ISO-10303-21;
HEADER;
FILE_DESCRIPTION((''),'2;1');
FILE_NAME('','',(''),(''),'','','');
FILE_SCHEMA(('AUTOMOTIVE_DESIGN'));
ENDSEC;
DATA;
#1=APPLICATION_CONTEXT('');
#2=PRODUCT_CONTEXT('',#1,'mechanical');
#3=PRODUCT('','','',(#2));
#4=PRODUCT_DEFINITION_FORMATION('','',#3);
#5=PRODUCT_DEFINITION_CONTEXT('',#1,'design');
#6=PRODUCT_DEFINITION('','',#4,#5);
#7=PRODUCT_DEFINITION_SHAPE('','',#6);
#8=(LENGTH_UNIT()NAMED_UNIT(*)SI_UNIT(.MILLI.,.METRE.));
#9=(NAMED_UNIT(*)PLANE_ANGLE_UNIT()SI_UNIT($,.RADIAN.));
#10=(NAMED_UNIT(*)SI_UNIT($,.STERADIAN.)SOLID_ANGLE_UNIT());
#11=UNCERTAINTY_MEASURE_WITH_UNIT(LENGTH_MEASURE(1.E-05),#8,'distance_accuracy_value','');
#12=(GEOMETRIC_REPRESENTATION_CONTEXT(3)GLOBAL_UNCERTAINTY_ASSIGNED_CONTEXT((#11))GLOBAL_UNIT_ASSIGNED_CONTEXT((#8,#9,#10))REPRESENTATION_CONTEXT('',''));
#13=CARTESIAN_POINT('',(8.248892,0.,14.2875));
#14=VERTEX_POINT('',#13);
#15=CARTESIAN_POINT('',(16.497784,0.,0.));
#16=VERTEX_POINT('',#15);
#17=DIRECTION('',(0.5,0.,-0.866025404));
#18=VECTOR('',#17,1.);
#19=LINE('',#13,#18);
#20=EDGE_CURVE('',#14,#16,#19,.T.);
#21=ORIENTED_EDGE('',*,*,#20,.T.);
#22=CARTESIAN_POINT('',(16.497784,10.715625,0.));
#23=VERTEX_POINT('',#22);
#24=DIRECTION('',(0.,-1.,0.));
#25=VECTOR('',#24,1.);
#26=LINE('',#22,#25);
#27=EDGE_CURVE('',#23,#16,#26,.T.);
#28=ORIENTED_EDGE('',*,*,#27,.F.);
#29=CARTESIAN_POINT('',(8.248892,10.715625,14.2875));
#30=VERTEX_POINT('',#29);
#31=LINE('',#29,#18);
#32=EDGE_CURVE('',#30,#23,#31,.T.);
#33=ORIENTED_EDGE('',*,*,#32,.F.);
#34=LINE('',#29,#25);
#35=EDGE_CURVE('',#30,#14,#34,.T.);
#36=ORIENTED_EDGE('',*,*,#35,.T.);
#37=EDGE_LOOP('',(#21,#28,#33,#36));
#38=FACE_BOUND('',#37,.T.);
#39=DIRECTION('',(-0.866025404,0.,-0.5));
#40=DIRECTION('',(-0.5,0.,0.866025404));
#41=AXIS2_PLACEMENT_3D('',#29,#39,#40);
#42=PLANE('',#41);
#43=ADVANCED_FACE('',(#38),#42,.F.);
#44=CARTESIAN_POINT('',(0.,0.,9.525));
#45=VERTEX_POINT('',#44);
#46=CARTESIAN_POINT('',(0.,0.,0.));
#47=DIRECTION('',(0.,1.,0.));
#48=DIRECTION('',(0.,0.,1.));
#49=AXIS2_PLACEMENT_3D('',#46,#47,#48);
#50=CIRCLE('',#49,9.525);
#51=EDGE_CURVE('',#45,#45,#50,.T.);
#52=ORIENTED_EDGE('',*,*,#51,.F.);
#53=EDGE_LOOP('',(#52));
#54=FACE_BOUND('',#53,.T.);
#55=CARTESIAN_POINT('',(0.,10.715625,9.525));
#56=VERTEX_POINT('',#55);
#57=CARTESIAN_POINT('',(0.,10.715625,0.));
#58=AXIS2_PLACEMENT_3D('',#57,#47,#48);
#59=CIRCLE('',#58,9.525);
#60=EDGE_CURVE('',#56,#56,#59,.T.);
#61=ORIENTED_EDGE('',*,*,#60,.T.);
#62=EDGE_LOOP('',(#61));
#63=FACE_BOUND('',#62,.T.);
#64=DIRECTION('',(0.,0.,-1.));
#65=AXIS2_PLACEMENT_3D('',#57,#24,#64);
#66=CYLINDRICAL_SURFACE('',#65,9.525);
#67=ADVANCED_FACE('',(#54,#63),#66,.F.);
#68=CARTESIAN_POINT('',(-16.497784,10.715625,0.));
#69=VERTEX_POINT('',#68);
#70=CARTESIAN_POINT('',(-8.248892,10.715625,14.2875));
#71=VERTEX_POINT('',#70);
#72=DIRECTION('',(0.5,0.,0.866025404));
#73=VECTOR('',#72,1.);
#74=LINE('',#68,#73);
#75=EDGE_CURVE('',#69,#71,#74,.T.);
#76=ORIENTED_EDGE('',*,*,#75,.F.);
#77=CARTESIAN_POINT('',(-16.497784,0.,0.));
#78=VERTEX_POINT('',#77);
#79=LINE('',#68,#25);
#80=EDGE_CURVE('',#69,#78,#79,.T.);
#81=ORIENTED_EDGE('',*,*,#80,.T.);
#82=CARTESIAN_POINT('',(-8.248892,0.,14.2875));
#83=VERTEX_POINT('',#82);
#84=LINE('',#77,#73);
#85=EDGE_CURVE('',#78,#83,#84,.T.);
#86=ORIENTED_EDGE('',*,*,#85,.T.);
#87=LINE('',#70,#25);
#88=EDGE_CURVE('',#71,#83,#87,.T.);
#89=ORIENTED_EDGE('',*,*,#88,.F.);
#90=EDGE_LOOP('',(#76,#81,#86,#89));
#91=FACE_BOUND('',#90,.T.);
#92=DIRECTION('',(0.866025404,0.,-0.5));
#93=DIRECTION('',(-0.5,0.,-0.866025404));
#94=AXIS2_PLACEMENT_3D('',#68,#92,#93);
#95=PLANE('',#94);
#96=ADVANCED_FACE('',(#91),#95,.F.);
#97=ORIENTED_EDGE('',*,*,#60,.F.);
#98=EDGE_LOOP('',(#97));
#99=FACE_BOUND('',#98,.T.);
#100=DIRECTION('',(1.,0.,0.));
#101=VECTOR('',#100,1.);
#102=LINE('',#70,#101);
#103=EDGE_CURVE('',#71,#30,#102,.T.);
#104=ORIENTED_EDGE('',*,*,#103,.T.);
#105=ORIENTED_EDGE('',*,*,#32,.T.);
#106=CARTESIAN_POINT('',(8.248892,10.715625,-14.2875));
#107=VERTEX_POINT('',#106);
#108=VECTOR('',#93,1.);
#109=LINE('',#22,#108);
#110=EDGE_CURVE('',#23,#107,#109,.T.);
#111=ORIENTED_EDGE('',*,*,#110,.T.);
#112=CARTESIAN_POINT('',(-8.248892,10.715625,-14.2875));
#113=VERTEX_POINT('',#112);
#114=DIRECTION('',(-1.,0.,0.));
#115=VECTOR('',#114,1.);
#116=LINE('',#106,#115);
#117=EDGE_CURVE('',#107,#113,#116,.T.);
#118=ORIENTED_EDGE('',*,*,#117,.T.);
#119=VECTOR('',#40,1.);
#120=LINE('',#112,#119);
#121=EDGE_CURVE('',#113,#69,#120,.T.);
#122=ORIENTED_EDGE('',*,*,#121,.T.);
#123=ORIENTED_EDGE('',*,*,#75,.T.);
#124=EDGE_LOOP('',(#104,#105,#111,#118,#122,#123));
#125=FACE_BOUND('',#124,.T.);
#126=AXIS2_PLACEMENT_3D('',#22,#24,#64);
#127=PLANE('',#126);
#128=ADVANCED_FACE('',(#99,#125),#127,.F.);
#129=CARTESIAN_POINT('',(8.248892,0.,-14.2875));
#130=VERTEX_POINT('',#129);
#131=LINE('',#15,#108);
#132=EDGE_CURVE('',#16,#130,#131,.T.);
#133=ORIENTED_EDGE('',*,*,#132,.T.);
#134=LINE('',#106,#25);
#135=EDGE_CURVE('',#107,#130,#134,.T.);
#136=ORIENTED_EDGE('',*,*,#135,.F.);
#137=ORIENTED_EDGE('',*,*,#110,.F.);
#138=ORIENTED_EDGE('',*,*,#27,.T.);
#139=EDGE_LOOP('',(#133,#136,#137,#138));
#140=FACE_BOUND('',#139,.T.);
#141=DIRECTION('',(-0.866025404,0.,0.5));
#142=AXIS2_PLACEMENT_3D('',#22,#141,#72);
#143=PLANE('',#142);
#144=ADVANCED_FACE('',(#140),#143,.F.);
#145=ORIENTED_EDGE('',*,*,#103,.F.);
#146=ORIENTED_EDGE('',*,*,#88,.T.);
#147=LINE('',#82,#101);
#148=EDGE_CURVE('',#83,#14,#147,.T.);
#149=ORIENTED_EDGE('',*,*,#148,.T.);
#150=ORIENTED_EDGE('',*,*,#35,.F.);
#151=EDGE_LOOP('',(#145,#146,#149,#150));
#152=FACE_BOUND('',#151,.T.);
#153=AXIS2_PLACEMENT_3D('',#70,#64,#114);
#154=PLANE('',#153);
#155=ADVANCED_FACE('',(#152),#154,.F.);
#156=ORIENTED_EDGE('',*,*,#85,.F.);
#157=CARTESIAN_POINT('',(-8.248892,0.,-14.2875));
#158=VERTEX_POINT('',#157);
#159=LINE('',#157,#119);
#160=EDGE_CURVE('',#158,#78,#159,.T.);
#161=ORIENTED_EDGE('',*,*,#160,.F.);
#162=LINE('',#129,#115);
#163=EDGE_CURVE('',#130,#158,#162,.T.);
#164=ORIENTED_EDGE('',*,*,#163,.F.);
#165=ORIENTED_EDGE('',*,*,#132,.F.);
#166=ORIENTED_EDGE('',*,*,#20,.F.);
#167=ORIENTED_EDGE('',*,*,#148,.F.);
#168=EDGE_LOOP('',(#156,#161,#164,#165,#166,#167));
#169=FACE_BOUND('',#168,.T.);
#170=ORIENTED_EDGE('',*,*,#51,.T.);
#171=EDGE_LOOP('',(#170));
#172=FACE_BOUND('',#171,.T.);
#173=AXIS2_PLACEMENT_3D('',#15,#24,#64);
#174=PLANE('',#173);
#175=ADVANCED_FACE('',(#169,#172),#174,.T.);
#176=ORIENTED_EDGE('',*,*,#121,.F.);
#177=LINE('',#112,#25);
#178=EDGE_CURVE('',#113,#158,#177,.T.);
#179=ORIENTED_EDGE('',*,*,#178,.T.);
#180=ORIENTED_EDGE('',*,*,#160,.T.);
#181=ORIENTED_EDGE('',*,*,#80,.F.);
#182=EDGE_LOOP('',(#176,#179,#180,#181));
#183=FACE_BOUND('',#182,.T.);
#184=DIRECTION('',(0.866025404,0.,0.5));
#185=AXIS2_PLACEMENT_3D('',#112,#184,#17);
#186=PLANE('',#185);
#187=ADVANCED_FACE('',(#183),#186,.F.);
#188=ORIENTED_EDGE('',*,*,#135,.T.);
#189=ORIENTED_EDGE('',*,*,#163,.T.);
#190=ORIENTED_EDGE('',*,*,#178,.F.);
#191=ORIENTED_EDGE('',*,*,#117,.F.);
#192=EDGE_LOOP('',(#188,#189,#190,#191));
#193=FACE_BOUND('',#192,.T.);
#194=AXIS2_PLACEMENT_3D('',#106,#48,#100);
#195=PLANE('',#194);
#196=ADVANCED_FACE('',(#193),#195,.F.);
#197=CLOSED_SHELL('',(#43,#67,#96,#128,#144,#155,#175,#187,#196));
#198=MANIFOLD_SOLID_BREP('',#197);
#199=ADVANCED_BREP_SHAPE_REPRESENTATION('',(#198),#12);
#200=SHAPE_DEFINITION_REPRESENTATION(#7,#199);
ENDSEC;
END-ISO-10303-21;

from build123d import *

# Parameters (mm, degrees)
SKETCH1_R      = 9.525
EXTRUDE1_DEPTH = 10.715625


with BuildPart() as part:
    # Sketch1 → Extrude1 (new body)
    with BuildSketch(Plane(origin=(0, 0, 0), x_dir=(1, 0, 0), z_dir=(0, 1, 0))):
        Polygon((8.248891971, 14.2875), (-8.248891971, 14.2875), (-16.497783942, 0), (-8.248891971, -14.2875), (8.248891971, -14.2875), (16.497783942, 0), align=None)
        with Locations(Location((0, 0, 0), (0, 0, 270))):
            Circle(SKETCH1_R, mode=Mode.SUBTRACT)
    extrude(amount=EXTRUDE1_DEPTH)


solid = part.part
